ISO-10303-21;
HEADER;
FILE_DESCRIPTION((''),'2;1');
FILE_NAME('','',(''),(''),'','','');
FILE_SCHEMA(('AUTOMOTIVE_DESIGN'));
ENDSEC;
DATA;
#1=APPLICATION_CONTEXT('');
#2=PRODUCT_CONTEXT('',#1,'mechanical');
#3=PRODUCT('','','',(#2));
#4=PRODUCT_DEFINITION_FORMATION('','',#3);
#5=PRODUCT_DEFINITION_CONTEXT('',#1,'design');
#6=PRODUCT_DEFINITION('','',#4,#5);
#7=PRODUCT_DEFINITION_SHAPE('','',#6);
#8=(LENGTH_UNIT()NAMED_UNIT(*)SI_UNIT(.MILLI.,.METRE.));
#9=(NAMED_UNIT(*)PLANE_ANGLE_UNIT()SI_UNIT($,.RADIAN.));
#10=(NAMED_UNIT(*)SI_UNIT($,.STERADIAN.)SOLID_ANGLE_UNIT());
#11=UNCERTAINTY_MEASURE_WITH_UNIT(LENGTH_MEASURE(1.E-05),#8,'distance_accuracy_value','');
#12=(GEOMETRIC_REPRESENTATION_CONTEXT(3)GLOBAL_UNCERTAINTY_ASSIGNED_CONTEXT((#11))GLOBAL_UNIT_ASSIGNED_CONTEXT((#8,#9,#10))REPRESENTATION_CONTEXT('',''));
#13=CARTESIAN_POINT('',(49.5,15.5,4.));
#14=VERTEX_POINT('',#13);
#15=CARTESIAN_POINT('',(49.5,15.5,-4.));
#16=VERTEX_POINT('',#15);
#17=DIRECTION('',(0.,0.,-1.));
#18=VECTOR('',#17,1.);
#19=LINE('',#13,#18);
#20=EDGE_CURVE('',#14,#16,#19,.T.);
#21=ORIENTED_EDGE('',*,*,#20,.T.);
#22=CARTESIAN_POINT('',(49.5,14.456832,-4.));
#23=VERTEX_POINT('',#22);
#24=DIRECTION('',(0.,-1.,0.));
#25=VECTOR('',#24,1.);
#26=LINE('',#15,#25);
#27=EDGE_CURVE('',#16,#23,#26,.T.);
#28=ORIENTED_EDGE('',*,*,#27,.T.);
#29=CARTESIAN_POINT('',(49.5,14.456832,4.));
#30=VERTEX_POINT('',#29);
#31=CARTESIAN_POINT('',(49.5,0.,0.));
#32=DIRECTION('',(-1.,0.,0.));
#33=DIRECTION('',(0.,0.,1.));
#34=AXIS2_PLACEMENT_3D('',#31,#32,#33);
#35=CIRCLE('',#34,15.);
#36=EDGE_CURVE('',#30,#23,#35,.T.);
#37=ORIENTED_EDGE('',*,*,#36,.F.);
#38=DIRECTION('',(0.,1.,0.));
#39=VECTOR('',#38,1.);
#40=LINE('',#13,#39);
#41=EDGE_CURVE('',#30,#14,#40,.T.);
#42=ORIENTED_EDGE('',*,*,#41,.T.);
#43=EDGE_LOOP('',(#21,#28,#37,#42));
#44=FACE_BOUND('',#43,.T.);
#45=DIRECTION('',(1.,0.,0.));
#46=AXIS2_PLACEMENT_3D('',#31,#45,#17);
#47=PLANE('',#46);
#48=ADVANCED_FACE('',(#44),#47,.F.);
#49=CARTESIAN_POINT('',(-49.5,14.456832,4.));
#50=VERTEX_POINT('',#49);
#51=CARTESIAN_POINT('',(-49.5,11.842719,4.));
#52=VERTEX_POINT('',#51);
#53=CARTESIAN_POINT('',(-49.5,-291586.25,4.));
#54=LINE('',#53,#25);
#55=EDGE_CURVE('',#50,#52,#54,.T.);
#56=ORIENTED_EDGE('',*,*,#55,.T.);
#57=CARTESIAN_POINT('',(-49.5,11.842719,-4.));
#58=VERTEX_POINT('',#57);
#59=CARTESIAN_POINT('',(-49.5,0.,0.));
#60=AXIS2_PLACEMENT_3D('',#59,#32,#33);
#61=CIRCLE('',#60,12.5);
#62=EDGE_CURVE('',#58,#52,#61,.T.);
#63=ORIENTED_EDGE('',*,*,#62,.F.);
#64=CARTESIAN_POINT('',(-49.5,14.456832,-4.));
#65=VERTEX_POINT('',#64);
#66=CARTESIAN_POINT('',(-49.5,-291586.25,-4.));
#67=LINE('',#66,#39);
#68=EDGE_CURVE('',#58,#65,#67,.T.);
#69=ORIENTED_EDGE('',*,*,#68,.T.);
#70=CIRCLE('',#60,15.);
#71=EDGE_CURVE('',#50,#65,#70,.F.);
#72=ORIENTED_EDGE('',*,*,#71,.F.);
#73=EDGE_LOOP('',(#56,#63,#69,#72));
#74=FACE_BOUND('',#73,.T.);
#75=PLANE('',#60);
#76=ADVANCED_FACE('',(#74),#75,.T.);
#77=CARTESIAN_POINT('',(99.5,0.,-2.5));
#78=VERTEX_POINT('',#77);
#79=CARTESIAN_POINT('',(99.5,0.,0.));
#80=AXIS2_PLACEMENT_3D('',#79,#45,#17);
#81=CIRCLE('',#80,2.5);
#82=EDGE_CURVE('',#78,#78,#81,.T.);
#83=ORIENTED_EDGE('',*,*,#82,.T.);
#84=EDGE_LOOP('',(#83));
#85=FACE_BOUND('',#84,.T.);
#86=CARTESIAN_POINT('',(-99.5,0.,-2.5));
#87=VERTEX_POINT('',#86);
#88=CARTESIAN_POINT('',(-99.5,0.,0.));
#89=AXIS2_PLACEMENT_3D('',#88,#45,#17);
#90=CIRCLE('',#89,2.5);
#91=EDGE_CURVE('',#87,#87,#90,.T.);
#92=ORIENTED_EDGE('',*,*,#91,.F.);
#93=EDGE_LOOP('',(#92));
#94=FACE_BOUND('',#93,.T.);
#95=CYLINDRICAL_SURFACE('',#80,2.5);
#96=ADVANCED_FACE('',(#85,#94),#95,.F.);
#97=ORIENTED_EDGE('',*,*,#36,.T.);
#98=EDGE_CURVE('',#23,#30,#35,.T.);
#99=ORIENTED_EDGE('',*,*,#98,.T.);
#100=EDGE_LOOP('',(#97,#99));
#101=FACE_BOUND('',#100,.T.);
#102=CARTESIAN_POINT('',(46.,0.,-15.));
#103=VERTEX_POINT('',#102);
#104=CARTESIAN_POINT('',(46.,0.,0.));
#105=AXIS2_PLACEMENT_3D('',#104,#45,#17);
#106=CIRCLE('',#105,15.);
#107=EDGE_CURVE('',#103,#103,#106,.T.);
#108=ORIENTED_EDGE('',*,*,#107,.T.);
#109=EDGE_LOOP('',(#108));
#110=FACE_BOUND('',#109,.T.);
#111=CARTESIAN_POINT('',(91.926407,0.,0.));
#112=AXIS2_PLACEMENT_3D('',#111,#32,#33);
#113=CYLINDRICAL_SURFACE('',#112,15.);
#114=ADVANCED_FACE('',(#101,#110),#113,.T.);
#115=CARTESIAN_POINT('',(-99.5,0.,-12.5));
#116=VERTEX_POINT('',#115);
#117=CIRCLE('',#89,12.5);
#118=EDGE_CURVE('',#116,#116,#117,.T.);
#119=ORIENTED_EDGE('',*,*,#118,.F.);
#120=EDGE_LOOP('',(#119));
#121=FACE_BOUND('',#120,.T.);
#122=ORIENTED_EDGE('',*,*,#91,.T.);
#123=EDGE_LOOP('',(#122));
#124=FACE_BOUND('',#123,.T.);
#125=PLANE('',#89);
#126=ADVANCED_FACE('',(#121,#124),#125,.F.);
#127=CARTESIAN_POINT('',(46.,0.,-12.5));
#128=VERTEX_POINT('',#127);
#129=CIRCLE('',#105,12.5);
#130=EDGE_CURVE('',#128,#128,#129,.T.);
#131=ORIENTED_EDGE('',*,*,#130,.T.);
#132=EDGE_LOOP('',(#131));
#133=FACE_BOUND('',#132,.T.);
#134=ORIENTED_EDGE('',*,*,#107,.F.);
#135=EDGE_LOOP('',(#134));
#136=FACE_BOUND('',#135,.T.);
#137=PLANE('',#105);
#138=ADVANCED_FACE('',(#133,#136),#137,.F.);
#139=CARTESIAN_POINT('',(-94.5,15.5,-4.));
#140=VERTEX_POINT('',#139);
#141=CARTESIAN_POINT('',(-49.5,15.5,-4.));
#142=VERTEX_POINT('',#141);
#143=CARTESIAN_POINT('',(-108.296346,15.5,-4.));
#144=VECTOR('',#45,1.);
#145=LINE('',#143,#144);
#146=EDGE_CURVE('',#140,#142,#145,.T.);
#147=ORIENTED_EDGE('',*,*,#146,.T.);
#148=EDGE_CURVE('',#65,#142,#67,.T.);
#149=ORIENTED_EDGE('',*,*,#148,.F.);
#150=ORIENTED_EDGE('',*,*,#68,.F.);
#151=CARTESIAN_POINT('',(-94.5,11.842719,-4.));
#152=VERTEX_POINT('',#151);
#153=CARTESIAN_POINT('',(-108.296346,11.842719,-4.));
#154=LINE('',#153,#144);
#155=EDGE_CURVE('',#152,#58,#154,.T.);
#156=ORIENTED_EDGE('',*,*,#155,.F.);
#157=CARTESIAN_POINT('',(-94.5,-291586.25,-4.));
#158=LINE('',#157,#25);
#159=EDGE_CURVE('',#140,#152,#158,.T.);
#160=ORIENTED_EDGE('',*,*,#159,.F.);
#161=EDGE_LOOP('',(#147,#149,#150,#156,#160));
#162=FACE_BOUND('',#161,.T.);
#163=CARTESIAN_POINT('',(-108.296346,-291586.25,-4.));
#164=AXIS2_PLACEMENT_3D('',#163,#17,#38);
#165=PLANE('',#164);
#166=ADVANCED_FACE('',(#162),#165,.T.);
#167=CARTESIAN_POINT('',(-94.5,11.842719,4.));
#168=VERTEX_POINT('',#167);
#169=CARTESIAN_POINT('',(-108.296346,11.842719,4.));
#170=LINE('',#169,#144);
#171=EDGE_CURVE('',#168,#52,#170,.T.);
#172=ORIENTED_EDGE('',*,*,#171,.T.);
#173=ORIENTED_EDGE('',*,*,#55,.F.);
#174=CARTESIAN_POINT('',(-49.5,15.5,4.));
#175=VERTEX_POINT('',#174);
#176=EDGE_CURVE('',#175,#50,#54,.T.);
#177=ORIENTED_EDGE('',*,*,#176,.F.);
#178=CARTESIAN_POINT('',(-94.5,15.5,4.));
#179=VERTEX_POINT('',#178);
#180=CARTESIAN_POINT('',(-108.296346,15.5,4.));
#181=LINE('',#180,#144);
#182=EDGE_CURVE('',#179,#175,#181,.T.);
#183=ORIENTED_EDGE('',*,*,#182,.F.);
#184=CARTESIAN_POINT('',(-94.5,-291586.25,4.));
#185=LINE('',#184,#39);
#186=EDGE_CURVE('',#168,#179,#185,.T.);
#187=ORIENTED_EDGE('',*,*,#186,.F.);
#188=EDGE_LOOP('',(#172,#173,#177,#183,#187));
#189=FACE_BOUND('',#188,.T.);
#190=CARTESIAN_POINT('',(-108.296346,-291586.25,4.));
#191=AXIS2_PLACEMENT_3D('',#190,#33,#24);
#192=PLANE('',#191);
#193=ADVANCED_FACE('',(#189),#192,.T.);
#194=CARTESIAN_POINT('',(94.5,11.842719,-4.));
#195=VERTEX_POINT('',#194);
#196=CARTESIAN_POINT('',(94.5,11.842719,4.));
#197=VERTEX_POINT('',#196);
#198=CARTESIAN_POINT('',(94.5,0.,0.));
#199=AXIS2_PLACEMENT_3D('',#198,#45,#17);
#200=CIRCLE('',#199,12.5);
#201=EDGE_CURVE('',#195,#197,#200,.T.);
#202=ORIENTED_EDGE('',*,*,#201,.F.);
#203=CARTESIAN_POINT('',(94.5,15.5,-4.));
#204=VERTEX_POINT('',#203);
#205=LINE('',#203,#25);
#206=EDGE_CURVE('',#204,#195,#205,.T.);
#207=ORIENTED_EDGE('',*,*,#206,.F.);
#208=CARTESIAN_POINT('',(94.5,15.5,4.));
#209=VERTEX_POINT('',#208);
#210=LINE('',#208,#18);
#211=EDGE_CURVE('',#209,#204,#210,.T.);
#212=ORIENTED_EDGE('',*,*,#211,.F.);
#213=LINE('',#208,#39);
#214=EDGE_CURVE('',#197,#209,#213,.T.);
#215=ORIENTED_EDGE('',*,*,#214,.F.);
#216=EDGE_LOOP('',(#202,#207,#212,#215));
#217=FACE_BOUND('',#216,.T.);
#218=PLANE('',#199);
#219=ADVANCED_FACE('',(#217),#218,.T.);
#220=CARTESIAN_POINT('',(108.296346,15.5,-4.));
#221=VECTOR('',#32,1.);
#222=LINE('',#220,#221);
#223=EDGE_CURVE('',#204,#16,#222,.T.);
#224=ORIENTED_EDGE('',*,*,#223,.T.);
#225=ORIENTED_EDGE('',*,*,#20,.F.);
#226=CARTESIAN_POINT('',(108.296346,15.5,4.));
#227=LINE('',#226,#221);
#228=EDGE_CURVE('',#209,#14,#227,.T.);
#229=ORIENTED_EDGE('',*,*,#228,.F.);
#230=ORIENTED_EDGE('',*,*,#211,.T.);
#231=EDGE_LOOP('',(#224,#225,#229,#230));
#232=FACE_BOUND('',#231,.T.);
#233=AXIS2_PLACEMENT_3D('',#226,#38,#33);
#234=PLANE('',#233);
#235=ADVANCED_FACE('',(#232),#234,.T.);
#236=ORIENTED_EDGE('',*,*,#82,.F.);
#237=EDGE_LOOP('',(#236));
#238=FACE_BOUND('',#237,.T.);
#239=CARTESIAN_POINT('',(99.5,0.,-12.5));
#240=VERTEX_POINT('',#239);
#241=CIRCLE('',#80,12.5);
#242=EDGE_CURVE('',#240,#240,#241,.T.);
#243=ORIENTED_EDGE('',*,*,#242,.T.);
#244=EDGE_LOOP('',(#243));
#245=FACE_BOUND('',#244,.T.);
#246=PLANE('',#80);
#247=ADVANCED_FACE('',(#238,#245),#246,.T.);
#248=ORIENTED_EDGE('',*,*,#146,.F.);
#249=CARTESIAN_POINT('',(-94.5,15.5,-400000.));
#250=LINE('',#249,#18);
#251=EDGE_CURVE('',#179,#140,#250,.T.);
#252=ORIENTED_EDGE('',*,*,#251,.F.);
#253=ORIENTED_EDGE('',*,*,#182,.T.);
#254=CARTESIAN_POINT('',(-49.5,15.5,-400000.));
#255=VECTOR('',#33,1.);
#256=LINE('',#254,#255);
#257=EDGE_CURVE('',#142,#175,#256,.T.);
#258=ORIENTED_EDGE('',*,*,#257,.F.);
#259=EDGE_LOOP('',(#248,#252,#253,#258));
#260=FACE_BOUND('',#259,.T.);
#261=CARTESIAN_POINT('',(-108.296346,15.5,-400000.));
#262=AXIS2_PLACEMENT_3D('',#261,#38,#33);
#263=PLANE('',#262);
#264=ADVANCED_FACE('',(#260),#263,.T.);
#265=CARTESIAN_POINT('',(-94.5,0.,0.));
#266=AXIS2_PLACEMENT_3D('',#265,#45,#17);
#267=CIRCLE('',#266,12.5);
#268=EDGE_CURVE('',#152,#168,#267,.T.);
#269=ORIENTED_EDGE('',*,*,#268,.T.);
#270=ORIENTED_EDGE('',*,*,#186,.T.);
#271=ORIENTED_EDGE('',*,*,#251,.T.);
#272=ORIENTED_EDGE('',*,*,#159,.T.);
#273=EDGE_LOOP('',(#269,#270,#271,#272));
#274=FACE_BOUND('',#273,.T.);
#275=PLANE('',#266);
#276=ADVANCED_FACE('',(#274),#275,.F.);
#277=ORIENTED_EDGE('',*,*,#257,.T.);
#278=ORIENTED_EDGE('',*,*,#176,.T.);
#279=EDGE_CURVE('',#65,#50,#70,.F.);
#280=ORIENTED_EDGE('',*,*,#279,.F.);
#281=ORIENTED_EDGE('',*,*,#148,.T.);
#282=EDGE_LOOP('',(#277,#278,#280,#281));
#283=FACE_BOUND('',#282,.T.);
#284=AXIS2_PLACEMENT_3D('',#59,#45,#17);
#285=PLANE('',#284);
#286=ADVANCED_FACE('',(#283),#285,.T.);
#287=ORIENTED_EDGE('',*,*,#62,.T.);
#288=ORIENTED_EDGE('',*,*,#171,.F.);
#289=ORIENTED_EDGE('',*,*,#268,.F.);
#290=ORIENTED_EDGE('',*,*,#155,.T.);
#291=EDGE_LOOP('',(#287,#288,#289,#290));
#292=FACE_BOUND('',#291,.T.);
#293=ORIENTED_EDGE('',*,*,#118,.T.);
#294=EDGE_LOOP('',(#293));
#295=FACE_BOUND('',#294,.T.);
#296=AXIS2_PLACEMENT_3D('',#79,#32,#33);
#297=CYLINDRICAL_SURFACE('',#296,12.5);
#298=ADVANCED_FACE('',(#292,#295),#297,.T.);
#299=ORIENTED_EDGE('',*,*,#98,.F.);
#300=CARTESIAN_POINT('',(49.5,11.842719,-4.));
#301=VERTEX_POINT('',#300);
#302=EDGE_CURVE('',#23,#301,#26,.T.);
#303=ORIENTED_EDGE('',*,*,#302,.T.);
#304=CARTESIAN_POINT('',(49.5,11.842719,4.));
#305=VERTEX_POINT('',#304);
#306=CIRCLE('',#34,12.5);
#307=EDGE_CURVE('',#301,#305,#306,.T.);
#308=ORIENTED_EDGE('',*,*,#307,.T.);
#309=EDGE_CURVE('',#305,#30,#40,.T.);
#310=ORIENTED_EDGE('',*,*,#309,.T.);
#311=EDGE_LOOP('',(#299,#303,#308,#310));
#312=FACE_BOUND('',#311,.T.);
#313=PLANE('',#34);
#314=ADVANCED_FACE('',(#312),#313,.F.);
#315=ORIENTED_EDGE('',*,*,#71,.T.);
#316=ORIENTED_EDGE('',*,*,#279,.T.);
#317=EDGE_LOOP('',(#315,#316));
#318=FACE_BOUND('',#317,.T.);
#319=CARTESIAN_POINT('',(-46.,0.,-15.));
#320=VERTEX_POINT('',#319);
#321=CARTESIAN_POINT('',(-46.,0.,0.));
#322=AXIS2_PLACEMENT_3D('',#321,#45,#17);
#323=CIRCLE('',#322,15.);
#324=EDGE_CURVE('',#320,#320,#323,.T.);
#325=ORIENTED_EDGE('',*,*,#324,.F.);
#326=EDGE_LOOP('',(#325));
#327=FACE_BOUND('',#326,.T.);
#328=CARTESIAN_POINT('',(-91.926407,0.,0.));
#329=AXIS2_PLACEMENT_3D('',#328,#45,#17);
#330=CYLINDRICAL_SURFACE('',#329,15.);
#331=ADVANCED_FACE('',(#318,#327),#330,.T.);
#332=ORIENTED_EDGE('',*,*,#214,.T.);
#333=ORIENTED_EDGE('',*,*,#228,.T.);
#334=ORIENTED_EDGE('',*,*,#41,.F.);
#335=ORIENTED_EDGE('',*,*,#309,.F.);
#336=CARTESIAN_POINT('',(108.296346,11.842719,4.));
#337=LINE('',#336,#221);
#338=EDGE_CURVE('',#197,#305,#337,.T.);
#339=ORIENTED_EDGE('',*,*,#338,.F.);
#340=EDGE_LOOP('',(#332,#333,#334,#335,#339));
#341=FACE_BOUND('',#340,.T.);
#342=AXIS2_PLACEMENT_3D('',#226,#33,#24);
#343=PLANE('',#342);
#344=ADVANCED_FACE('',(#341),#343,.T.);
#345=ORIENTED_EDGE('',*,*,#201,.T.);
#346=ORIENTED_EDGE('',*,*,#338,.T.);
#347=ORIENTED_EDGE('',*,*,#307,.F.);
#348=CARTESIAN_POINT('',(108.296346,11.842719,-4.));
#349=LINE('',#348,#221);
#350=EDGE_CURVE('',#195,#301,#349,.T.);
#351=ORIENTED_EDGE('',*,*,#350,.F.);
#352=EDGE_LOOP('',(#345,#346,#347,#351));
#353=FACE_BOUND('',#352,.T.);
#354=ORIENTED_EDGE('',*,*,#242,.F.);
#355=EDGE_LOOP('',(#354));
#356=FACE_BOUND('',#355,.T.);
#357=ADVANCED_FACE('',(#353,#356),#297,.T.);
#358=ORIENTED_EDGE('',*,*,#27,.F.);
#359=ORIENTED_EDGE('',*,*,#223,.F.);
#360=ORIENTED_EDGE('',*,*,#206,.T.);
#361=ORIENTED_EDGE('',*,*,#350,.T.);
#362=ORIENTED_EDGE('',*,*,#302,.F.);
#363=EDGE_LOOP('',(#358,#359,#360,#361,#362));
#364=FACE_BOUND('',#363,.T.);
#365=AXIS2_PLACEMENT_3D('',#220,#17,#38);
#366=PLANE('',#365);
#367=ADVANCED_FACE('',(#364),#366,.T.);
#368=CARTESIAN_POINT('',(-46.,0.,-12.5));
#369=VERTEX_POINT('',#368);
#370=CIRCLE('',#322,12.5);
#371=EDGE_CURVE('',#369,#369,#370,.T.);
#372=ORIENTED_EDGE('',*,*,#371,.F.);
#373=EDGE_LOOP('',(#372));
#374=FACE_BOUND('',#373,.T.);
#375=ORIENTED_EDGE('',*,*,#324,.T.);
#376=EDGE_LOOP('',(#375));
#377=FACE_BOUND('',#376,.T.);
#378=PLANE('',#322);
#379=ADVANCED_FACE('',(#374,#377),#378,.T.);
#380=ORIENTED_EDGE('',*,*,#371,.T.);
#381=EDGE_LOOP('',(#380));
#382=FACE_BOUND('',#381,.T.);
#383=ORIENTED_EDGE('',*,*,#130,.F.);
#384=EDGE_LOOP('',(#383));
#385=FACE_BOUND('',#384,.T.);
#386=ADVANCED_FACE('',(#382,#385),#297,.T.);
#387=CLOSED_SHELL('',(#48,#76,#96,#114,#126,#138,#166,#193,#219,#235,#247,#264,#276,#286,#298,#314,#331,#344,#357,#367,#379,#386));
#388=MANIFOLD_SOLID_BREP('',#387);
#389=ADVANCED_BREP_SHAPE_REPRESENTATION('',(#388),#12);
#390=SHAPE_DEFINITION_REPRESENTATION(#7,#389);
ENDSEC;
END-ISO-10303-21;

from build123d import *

# Parameters (mm, degrees)
CROQUIS1_R              = 12.5
SALIENTE_EXTRUIR1_DEPTH = 99.5
CROQUIS2_R              = 15
SALIENTE_EXTRUIR2_DEPTH = 3.5
CROQUIS4_W              = 8
CROQUIS4_H              = 3.657280718
SALIENTE_EXTRUIR3_DEPTH = 45
SALIENTE_EXTRUIR4_START = 99
CROQUIS4_2_W            = 8
CROQUIS4_2_H            = 3.657280718
SALIENTE_EXTRUIR4_DEPTH = 45
SALIENTE_EXTRUIR5_START = -92
CROQUIS2_2_R            = 15
SALIENTE_EXTRUIR5_DEPTH = 3.5
TALADRO_ROSCADO_M61_D   = 5


with BuildPart() as part:
    # Croquis1 → Saliente-Extruir1 (new body, symmetric)
    with BuildSketch(Plane(origin=(0, 0, 0), x_dir=(0, 0, -1), z_dir=(1, 0, 0))):
        Circle(CROQUIS1_R)
    extrude(amount=SALIENTE_EXTRUIR1_DEPTH, both=True)

    # Croquis2 → Saliente-Extruir2 (add)
    with BuildSketch(Plane(origin=(46, 0, 0), x_dir=(0, 0, -1), z_dir=(1, 0, 0))):
        Circle(CROQUIS2_R)
    extrude(amount=SALIENTE_EXTRUIR2_DEPTH)

    # Croquis4 → Saliente-Extruir3 (add)
    with BuildSketch(Plane.ZY.offset(-49.5)):
        with Locations((0, 13.671359641)):
            Rectangle(CROQUIS4_W, CROQUIS4_H)
    extrude(amount=-SALIENTE_EXTRUIR3_DEPTH)

    # Croquis4<2> → Saliente-Extruir4 (add)
    with BuildSketch(Plane.ZY.offset(-49.5).offset(SALIENTE_EXTRUIR4_START)):
        with Locations((0, 13.671359641)):
            Rectangle(CROQUIS4_2_W, CROQUIS4_2_H)
    extrude(amount=SALIENTE_EXTRUIR4_DEPTH)

    # Croquis2<2> → Saliente-Extruir5 (add)
    with BuildSketch(Plane(origin=(46, 0, 0), x_dir=(0, 0, -1), z_dir=(1, 0, 0)).offset(SALIENTE_EXTRUIR5_START)):
        Circle(CROQUIS2_2_R)
    extrude(amount=-SALIENTE_EXTRUIR5_DEPTH)

    # Taladro roscado M61 (through all)
    with Locations(Plane(origin=(99.5, 0, 0), x_dir=(0, 0, -1), z_dir=(1, 0, 0))):
        with Locations((0, 0)):
            Hole(TALADRO_ROSCADO_M61_D / 2)


solid = part.part
